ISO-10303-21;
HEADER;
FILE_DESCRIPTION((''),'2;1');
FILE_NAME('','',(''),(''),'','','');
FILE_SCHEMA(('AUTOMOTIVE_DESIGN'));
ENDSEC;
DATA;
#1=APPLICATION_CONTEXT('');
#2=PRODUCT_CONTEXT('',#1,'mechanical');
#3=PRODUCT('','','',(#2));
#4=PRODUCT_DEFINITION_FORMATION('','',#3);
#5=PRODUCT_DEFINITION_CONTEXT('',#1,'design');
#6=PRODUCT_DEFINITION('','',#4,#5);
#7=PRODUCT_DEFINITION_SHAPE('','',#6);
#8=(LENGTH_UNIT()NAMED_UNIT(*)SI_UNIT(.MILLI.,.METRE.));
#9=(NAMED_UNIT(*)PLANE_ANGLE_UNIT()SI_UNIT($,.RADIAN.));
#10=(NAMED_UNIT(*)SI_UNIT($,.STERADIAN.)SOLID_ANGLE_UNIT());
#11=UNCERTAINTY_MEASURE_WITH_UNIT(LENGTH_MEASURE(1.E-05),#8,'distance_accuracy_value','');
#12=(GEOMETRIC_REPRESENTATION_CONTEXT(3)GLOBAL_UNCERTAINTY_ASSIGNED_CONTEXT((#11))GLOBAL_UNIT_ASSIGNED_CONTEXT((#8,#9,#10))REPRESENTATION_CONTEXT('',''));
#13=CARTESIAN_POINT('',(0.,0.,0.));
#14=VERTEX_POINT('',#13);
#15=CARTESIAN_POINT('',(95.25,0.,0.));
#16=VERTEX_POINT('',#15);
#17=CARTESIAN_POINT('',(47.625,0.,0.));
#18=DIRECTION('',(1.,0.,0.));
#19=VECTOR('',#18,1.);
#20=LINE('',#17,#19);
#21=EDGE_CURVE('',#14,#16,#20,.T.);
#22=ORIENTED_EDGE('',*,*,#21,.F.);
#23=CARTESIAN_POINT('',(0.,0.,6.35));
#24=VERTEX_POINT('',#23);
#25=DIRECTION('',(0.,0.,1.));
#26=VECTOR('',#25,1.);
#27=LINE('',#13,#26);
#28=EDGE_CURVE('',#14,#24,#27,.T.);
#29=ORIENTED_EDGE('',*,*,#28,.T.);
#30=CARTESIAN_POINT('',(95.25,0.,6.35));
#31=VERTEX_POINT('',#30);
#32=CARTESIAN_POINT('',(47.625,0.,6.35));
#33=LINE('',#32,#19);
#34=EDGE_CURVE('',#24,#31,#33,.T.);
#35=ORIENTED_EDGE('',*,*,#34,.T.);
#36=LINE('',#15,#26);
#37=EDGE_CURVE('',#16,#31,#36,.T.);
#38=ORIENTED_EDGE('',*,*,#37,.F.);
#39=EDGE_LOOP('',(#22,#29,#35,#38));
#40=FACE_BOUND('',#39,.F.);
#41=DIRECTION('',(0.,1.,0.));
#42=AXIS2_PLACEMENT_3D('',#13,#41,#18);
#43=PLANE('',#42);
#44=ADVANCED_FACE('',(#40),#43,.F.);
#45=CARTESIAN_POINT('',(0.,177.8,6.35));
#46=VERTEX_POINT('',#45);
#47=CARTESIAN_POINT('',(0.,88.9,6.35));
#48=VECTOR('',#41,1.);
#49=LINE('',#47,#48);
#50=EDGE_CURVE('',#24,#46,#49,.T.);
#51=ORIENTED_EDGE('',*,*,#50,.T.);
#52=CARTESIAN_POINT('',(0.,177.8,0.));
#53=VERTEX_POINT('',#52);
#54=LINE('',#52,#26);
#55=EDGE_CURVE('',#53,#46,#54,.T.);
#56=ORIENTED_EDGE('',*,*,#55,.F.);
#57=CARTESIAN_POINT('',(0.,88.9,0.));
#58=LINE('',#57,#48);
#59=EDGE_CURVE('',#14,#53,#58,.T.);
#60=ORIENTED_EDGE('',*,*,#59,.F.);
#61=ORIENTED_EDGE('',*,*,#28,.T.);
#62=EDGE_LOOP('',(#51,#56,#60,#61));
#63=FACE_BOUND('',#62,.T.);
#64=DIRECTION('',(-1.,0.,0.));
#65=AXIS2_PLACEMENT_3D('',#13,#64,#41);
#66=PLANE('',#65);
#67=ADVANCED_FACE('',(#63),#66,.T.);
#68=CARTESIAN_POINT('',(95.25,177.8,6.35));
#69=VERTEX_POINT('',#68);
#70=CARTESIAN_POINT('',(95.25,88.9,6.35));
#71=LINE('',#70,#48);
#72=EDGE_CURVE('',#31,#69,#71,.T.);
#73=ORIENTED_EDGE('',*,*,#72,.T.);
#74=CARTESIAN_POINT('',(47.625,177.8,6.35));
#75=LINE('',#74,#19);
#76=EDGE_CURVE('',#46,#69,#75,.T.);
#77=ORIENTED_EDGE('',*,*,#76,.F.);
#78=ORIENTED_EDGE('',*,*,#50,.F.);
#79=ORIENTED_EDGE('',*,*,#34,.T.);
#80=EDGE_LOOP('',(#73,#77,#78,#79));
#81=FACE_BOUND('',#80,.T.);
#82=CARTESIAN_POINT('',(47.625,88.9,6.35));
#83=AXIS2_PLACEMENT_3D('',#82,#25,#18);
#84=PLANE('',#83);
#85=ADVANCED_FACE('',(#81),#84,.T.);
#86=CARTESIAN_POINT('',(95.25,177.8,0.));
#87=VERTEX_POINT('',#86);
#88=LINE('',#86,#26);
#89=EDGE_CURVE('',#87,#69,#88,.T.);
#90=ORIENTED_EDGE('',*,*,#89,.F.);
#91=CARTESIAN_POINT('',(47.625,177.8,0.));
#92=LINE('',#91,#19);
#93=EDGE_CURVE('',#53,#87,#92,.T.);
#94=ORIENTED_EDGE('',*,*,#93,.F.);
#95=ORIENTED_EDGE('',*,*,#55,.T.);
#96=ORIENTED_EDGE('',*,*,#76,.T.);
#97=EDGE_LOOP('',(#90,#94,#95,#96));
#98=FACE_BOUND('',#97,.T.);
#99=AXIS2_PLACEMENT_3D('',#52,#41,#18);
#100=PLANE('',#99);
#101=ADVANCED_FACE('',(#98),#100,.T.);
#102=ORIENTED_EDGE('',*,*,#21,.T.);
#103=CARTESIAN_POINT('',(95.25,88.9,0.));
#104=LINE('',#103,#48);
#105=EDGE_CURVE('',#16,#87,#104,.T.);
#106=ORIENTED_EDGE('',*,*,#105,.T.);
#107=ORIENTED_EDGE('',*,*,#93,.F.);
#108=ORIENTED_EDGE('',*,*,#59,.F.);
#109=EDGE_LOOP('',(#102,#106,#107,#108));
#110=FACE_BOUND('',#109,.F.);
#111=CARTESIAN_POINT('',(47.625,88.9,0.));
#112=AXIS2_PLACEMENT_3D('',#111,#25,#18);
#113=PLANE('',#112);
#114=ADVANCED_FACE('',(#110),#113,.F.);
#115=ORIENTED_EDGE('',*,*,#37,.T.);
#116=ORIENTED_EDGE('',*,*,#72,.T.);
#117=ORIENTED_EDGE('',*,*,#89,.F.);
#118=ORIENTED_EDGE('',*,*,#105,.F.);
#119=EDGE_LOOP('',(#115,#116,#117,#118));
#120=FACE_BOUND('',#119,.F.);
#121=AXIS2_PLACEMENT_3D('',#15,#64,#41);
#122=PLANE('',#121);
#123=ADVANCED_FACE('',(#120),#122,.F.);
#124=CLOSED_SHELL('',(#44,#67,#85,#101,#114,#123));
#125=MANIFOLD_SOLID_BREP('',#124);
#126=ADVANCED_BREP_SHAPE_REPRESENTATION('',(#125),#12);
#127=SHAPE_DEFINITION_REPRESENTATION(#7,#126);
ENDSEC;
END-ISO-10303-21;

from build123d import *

# Parameters (mm, degrees)
SKETCH1_W           = 95.25
SKETCH1_H           = 177.8
BOSS_EXTRUDE1_DEPTH = 6.35


with BuildPart() as part:
    # Sketch1 → Boss-Extrude1 (new body)
    with BuildSketch(Plane.XY):
        with Locations((47.625, 88.9)):
            Rectangle(SKETCH1_W, SKETCH1_H)
    extrude(amount=BOSS_EXTRUDE1_DEPTH)


solid = part.part
